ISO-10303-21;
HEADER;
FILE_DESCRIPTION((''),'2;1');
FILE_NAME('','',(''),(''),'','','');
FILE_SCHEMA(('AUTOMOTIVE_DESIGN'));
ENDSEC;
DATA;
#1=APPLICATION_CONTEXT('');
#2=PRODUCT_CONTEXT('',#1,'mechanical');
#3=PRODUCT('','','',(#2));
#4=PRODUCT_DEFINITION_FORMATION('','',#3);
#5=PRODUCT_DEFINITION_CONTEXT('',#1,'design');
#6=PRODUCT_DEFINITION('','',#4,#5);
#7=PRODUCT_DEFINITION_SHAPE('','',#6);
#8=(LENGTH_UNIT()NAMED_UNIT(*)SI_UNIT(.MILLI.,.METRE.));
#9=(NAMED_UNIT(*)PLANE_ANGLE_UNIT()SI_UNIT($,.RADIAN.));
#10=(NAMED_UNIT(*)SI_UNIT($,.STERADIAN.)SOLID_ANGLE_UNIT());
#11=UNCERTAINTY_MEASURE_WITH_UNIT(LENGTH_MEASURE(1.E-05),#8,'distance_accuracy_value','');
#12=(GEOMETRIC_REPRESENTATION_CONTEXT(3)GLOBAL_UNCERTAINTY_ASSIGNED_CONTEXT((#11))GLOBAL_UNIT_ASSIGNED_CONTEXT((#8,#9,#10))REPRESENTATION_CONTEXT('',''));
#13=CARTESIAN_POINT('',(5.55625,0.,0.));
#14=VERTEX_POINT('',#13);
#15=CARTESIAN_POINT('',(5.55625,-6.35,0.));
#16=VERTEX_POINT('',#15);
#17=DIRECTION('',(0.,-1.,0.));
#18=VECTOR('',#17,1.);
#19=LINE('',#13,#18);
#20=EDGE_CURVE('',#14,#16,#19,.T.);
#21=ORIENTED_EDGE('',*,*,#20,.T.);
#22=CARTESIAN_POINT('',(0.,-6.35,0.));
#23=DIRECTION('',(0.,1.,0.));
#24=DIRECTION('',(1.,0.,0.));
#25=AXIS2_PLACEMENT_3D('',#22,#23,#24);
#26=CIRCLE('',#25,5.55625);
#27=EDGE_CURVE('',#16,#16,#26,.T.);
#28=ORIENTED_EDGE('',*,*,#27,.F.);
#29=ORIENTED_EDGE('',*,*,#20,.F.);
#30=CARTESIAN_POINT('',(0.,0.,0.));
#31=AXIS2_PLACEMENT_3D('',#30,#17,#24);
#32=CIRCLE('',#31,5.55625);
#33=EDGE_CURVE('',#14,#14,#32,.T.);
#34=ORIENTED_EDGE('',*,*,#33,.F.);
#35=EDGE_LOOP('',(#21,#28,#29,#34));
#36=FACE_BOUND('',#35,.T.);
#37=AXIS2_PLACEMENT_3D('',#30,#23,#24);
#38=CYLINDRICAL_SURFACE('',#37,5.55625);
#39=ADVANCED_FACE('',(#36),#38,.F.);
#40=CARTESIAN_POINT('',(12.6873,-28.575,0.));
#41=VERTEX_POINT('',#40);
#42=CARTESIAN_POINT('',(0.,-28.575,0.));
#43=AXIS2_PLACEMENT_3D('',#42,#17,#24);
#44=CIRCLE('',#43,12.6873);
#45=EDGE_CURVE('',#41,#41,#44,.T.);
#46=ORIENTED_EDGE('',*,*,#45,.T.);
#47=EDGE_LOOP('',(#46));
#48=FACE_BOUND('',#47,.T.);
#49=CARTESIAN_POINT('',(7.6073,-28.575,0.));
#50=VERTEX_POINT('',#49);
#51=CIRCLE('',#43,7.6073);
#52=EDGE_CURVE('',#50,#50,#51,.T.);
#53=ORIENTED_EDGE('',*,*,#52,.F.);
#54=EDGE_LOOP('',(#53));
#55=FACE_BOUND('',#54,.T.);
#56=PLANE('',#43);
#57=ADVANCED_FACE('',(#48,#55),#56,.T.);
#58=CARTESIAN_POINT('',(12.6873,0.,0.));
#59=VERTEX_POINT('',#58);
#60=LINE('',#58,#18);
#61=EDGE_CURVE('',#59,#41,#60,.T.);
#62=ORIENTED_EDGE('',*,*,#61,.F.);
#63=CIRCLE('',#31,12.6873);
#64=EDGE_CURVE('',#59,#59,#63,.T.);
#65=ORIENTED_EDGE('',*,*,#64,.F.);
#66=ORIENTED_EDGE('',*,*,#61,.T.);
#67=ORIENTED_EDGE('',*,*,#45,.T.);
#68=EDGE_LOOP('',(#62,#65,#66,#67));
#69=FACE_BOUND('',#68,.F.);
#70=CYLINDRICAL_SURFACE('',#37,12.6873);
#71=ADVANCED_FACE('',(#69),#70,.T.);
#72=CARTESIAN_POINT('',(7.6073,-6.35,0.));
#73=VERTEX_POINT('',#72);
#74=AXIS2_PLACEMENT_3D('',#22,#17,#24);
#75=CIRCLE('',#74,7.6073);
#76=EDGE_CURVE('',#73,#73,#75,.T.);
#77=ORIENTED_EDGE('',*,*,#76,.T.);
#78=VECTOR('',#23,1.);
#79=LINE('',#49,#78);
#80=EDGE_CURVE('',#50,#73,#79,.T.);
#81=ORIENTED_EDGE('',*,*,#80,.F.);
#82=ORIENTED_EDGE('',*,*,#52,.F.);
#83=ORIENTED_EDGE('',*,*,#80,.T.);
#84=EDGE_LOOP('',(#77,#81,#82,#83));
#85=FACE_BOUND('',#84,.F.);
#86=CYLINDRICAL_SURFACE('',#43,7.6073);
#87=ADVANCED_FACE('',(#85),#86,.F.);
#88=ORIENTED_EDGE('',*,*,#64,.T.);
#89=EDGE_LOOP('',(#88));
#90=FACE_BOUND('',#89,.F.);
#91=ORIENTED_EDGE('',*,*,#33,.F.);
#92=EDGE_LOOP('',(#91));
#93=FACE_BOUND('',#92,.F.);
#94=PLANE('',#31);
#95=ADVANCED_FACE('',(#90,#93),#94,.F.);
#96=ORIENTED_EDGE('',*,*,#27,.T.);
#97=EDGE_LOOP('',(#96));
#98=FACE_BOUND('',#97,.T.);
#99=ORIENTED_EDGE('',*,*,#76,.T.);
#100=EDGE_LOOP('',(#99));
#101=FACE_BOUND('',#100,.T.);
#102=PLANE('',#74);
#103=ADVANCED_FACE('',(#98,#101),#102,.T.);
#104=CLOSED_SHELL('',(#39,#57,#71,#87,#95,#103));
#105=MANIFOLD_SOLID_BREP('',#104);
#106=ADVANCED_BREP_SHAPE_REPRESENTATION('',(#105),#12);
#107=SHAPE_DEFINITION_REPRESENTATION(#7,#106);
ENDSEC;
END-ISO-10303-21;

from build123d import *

# Parameters (mm, degrees)
F0_R     = 12.6873
F0_R_2   = 7.6073
F0_R_3   = 5.55625
F1_DEPTH = 28.575
F2_R     = 7.6073
F3_DEPTH = 22.225
F4_R     = 5.55625
F5_DEPTH = 6.351


with BuildPart() as f1:
    # F0 (on Front) → F1 (new body)
    with BuildSketch(Plane.XZ):
        Circle(F0_R)
        Circle(F0_R_2, mode=Mode.SUBTRACT)
        Circle(F0_R_3)
        Circle(F0_R_2)
        Circle(F0_R_3, mode=Mode.SUBTRACT)
    extrude(amount=F1_DEPTH)

    # F2 (on face) → F3 (cut)
    with BuildSketch(Plane.XZ.offset(28.575)):
        Circle(F2_R)
    extrude(amount=-F3_DEPTH, mode=Mode.SUBTRACT)

    # F4 (on face) → F5 (cut, through all)
    with BuildSketch(Plane.XZ.offset(6.35)):
        Circle(F4_R)
    extrude(amount=-F5_DEPTH, mode=Mode.SUBTRACT)


solid = f1.part
